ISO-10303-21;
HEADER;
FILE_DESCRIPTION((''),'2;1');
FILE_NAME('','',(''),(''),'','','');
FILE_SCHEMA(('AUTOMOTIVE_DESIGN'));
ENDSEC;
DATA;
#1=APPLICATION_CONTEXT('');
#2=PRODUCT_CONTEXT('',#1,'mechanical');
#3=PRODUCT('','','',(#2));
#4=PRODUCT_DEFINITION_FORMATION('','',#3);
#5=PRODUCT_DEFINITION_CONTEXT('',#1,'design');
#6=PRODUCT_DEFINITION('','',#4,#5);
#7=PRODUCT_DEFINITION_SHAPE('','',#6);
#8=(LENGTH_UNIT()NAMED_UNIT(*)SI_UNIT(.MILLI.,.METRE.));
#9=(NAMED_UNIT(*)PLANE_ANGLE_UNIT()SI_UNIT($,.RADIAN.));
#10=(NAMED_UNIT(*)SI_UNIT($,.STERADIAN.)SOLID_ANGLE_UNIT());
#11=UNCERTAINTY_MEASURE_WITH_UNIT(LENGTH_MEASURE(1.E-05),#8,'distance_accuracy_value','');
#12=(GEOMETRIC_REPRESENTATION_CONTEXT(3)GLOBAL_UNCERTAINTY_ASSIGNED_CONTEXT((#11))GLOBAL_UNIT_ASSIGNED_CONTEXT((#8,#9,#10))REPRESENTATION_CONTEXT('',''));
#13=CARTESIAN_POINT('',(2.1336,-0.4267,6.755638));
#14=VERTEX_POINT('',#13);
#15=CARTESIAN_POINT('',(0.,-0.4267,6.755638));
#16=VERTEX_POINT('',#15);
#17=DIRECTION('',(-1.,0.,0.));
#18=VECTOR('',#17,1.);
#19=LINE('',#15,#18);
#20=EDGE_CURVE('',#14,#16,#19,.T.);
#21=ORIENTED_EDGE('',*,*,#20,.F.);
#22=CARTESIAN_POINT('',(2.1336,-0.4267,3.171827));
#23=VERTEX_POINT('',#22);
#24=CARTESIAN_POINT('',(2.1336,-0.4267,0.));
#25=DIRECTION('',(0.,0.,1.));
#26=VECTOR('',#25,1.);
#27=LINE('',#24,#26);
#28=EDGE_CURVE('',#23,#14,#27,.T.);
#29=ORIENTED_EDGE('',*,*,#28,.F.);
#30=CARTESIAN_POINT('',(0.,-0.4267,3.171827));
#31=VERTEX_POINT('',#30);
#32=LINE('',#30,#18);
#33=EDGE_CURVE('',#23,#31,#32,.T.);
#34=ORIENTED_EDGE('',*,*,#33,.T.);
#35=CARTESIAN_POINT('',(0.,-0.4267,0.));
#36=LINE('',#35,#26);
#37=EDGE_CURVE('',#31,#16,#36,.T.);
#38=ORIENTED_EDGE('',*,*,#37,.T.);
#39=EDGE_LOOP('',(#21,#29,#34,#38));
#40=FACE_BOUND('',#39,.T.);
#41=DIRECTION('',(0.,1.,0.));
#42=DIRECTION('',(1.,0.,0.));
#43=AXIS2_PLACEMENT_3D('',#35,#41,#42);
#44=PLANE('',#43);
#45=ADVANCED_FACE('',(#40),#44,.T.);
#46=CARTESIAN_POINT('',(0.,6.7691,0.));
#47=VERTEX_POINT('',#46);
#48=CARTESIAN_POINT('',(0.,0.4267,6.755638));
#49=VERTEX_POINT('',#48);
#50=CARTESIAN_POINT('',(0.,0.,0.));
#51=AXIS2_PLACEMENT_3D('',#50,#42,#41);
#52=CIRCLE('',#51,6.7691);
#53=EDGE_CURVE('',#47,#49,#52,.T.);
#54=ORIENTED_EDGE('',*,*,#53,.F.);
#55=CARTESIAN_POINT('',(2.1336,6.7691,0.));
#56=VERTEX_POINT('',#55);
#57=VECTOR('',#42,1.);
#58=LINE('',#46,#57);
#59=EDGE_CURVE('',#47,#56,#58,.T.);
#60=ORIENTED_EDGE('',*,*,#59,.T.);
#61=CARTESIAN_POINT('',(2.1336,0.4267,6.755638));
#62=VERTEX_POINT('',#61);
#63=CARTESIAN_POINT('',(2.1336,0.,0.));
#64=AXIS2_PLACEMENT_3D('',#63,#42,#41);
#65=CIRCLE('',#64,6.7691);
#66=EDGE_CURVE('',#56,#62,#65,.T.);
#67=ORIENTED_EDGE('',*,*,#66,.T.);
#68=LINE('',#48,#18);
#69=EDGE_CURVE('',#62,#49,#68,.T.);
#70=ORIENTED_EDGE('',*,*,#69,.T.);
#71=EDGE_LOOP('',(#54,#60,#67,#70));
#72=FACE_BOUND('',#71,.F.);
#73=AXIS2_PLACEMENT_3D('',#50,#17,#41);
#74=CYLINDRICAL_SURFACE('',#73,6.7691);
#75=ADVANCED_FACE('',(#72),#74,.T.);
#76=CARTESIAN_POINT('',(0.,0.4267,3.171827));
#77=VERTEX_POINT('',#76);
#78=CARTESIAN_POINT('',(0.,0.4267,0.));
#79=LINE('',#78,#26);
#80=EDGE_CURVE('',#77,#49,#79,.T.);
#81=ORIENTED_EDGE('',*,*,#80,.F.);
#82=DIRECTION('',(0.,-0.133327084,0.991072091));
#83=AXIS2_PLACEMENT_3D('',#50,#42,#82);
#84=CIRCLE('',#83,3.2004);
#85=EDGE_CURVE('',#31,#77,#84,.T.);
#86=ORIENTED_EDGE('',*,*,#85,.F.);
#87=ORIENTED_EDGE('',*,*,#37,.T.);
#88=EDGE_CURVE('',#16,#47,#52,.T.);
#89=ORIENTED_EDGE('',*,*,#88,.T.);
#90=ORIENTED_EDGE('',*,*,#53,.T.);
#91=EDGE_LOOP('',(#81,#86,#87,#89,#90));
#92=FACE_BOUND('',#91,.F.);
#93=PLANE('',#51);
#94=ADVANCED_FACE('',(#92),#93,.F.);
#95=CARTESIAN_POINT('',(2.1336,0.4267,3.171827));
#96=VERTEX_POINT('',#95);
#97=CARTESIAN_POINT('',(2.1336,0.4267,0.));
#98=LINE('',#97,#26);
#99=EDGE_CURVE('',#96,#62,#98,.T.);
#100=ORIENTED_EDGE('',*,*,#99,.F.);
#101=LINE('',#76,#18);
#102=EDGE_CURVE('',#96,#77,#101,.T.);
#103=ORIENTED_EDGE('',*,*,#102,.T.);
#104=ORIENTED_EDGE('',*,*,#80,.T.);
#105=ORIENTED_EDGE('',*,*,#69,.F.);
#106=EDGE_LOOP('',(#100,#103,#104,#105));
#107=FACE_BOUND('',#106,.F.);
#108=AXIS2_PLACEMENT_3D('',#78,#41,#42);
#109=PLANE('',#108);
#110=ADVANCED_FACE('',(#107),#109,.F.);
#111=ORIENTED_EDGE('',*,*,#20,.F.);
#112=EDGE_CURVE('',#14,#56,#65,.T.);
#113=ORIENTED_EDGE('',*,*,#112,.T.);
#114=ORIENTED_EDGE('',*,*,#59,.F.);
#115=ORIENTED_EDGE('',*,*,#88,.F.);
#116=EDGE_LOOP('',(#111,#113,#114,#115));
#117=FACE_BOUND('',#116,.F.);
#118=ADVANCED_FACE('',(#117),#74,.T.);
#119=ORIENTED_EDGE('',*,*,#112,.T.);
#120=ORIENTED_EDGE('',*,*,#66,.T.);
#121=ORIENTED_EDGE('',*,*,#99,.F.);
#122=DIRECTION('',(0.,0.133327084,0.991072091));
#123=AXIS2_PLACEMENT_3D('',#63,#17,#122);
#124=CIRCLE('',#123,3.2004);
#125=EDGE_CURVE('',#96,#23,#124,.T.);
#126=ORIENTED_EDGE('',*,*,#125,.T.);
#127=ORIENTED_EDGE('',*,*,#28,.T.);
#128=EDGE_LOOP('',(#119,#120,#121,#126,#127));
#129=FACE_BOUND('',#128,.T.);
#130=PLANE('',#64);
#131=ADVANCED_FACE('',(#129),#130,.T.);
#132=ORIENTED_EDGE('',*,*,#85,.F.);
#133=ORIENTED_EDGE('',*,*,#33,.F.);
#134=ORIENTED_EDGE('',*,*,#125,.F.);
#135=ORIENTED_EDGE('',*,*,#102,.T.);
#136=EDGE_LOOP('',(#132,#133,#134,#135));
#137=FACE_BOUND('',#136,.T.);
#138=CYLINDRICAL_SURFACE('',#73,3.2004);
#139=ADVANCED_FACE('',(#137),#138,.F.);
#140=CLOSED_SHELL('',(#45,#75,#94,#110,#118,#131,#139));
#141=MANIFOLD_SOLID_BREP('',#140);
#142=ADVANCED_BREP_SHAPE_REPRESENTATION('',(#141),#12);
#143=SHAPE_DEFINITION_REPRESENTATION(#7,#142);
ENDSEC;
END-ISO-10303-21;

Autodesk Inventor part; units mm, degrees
ref_plane "YZ Plane" through (0, 0, 0) normal (1, 0, 0) x (0, 1, 0)
ref_plane "XZ Plane" through (0, 0, 0) normal (0, 1, 0) x (-1, 0, 0)
sketch "Sketch1" plane through (0, 0, 0) normal (1, 0, 0) x (0, 1, 0)
  circle A0 centre (0, 0) radius 6.7691
  circle A1 centre (0, 0) radius 3.2004
  dimension "d0" = 6.4008
  dimension "d1" = 13.5382
extrude "Body" add sketch "Sketch1" along normal blind 2.1336
sketch "Sketch2" plane through (0, 0, 0) normal (0, 0, 1) x (1, 0, 0)
  line L0 (0, -3.2004) -> (0, 3.2004) projected
  line L1 (2.1336, 6.7691) -> (2.1336, -6.7691) projected
  line L2 (-1.2, 0) -> (7.2, 0) projected
  line L3 (0, -0.4267) -> (2.1336, -0.4267)
  line L4 (0, 0.4267) -> (2.1336, 0.4267)
  dimension "d4" = 0.4267
  dimension "d5" = 0.4267
  dimension "d6" = 90
extrude "Cut" cut sketch "Sketch2" along normal up to next
ref_plane "Work Plane1" through (0, 0, 0) normal (0, -1, 0) x (1, 0, 0)
equation "\"d0\" = SD1"
equation "\"d1\" = SD2"
equation "\"d2\" = SD"
equation "\"d4\" = 0.2 * SD"
equation "\"d5\" = 0.2 * SD"
equation "\"d6\" = FAWI"
equation "\"d7\" = SD"
equation "\"SD1\" = 6.4008"
equation "\"SD2\" = 13.5382"
equation "\"SD\" = 2.1336"
equation "\"FAWI\" = 90deg"
equation "\"NND\" = 6.35"
properties part number "ASME B18.21.1 - 1/4 Extra-Duty. Lock Washers (Inch Series)Extra-Duty Helical Spring Lock Washer" material "Steel, Mild"
